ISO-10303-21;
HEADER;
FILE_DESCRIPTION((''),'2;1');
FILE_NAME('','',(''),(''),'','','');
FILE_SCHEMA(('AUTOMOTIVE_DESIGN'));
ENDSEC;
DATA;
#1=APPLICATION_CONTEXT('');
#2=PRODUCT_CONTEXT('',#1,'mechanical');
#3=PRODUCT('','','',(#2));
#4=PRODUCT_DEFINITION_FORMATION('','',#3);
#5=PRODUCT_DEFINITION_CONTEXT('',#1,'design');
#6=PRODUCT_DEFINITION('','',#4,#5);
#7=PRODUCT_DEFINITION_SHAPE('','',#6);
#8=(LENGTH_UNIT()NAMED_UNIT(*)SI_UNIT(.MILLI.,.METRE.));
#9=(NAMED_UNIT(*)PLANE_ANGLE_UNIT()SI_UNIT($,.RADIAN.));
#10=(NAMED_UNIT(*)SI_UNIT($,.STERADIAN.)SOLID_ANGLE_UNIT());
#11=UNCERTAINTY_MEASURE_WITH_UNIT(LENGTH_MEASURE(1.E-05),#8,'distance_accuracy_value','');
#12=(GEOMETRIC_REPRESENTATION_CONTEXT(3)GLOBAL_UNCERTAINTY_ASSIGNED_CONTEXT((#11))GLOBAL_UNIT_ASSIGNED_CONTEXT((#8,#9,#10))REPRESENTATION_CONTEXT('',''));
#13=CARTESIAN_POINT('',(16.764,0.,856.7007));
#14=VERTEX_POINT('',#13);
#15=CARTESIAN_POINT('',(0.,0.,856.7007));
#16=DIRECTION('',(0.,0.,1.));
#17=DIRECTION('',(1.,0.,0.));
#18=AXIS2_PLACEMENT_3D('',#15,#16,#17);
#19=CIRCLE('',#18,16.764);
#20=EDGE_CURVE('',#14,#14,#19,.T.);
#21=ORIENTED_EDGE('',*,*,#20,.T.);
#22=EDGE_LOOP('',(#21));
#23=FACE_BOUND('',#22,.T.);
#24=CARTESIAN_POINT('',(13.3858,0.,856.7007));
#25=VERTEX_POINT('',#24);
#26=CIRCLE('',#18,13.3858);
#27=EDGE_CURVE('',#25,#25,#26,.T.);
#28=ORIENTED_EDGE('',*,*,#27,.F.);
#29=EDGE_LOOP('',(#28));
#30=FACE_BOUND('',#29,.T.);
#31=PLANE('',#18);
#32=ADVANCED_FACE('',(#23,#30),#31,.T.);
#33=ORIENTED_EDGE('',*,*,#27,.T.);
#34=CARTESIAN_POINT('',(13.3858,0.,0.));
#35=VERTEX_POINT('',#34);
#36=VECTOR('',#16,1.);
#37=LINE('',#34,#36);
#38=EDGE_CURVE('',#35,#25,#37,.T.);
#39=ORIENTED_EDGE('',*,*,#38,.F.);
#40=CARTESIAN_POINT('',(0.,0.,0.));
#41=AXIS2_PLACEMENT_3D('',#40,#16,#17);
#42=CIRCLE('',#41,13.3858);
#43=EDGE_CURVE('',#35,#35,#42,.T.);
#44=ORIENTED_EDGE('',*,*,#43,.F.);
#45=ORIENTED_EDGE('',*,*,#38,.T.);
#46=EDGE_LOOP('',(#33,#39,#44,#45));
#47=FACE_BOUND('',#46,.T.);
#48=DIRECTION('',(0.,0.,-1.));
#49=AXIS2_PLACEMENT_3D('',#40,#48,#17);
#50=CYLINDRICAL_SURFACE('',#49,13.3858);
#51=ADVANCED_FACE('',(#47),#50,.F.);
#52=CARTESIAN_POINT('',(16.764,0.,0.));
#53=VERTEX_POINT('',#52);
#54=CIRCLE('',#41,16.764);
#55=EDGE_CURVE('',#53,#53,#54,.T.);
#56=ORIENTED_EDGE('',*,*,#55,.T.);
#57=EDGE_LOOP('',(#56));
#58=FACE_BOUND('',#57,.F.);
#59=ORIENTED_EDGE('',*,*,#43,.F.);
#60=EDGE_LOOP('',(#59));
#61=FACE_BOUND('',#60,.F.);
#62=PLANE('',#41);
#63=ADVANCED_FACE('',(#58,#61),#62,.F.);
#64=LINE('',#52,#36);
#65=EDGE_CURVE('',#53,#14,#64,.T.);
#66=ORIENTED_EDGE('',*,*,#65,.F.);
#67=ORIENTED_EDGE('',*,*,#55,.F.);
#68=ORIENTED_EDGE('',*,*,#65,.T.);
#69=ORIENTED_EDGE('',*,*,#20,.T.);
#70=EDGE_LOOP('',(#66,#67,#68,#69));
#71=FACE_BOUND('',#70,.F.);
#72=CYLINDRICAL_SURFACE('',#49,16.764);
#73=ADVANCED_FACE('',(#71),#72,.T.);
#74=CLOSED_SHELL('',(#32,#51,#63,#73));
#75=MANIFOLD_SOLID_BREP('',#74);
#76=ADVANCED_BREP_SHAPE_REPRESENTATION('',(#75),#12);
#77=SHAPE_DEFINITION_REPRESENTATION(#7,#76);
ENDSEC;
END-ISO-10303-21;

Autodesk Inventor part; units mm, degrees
ref_plane "YZ Plane" through (0, 0, 0) normal (1, 0, 0) x (0, 1, 0)
ref_plane "Start plane" through (0, 0, 0) normal (0, 0, 1) x (1, 0, 0)
ref_plane "End plane" through (0, 0, 856.7007) normal (0, 0, 1) x (1, 0, 0)
sketch "Sketch" plane through (0, 0, 0) normal (0, 0, 1) x (1, 0, 0)
  circle A0 centre (0, 0) radius 13.3858
  circle A1 centre (0, 0) radius 16.764
  dimension "d0" = 33.528
  dimension "d1" = 3.3782
extrude "Body" add sketch "Sketch" along normal up to surface (856.7007 mm away) from surface at 0
sketch "Sketch3" plane through (0, 0, 0) normal (0, 0, 1) x (1, 0, 0)
  line L0 (0, 0) -> (10, 0)
ref_plane "Work Plane3" through (0, 0, 0) normal (0, -1, 0) x (1, 0, 0)
sketch "Sketch4" plane through (0, 0, 0) normal (0, -1, 0) x (1, 0, 0)
  line L0 (-2, 0) -> (12, 0) projected
  line L1 (-2, 856.7007) -> (12, 856.7007) projected
  dimension "d7" = 856.7007
equation "\"d0\" = G_H"
equation "\"d1\" = G_T"
equation "\"d2\" = G_L"
equation "\"G_H\" = 33.528"
equation "\"G_T\" = 3.3782"
equation "\"G_L\" = d7"
equation "\"G_OFFSET_START\" = 0"
equation "\"G_OFFSET_END\" = 0"
equation "\"d5\" = G_OFFSET_END + B_L"
equation "\"B_L\" = 856.70066"
properties part number "ANSI - 1 x 0.133 - 33.728" material "Steel, Mild"
